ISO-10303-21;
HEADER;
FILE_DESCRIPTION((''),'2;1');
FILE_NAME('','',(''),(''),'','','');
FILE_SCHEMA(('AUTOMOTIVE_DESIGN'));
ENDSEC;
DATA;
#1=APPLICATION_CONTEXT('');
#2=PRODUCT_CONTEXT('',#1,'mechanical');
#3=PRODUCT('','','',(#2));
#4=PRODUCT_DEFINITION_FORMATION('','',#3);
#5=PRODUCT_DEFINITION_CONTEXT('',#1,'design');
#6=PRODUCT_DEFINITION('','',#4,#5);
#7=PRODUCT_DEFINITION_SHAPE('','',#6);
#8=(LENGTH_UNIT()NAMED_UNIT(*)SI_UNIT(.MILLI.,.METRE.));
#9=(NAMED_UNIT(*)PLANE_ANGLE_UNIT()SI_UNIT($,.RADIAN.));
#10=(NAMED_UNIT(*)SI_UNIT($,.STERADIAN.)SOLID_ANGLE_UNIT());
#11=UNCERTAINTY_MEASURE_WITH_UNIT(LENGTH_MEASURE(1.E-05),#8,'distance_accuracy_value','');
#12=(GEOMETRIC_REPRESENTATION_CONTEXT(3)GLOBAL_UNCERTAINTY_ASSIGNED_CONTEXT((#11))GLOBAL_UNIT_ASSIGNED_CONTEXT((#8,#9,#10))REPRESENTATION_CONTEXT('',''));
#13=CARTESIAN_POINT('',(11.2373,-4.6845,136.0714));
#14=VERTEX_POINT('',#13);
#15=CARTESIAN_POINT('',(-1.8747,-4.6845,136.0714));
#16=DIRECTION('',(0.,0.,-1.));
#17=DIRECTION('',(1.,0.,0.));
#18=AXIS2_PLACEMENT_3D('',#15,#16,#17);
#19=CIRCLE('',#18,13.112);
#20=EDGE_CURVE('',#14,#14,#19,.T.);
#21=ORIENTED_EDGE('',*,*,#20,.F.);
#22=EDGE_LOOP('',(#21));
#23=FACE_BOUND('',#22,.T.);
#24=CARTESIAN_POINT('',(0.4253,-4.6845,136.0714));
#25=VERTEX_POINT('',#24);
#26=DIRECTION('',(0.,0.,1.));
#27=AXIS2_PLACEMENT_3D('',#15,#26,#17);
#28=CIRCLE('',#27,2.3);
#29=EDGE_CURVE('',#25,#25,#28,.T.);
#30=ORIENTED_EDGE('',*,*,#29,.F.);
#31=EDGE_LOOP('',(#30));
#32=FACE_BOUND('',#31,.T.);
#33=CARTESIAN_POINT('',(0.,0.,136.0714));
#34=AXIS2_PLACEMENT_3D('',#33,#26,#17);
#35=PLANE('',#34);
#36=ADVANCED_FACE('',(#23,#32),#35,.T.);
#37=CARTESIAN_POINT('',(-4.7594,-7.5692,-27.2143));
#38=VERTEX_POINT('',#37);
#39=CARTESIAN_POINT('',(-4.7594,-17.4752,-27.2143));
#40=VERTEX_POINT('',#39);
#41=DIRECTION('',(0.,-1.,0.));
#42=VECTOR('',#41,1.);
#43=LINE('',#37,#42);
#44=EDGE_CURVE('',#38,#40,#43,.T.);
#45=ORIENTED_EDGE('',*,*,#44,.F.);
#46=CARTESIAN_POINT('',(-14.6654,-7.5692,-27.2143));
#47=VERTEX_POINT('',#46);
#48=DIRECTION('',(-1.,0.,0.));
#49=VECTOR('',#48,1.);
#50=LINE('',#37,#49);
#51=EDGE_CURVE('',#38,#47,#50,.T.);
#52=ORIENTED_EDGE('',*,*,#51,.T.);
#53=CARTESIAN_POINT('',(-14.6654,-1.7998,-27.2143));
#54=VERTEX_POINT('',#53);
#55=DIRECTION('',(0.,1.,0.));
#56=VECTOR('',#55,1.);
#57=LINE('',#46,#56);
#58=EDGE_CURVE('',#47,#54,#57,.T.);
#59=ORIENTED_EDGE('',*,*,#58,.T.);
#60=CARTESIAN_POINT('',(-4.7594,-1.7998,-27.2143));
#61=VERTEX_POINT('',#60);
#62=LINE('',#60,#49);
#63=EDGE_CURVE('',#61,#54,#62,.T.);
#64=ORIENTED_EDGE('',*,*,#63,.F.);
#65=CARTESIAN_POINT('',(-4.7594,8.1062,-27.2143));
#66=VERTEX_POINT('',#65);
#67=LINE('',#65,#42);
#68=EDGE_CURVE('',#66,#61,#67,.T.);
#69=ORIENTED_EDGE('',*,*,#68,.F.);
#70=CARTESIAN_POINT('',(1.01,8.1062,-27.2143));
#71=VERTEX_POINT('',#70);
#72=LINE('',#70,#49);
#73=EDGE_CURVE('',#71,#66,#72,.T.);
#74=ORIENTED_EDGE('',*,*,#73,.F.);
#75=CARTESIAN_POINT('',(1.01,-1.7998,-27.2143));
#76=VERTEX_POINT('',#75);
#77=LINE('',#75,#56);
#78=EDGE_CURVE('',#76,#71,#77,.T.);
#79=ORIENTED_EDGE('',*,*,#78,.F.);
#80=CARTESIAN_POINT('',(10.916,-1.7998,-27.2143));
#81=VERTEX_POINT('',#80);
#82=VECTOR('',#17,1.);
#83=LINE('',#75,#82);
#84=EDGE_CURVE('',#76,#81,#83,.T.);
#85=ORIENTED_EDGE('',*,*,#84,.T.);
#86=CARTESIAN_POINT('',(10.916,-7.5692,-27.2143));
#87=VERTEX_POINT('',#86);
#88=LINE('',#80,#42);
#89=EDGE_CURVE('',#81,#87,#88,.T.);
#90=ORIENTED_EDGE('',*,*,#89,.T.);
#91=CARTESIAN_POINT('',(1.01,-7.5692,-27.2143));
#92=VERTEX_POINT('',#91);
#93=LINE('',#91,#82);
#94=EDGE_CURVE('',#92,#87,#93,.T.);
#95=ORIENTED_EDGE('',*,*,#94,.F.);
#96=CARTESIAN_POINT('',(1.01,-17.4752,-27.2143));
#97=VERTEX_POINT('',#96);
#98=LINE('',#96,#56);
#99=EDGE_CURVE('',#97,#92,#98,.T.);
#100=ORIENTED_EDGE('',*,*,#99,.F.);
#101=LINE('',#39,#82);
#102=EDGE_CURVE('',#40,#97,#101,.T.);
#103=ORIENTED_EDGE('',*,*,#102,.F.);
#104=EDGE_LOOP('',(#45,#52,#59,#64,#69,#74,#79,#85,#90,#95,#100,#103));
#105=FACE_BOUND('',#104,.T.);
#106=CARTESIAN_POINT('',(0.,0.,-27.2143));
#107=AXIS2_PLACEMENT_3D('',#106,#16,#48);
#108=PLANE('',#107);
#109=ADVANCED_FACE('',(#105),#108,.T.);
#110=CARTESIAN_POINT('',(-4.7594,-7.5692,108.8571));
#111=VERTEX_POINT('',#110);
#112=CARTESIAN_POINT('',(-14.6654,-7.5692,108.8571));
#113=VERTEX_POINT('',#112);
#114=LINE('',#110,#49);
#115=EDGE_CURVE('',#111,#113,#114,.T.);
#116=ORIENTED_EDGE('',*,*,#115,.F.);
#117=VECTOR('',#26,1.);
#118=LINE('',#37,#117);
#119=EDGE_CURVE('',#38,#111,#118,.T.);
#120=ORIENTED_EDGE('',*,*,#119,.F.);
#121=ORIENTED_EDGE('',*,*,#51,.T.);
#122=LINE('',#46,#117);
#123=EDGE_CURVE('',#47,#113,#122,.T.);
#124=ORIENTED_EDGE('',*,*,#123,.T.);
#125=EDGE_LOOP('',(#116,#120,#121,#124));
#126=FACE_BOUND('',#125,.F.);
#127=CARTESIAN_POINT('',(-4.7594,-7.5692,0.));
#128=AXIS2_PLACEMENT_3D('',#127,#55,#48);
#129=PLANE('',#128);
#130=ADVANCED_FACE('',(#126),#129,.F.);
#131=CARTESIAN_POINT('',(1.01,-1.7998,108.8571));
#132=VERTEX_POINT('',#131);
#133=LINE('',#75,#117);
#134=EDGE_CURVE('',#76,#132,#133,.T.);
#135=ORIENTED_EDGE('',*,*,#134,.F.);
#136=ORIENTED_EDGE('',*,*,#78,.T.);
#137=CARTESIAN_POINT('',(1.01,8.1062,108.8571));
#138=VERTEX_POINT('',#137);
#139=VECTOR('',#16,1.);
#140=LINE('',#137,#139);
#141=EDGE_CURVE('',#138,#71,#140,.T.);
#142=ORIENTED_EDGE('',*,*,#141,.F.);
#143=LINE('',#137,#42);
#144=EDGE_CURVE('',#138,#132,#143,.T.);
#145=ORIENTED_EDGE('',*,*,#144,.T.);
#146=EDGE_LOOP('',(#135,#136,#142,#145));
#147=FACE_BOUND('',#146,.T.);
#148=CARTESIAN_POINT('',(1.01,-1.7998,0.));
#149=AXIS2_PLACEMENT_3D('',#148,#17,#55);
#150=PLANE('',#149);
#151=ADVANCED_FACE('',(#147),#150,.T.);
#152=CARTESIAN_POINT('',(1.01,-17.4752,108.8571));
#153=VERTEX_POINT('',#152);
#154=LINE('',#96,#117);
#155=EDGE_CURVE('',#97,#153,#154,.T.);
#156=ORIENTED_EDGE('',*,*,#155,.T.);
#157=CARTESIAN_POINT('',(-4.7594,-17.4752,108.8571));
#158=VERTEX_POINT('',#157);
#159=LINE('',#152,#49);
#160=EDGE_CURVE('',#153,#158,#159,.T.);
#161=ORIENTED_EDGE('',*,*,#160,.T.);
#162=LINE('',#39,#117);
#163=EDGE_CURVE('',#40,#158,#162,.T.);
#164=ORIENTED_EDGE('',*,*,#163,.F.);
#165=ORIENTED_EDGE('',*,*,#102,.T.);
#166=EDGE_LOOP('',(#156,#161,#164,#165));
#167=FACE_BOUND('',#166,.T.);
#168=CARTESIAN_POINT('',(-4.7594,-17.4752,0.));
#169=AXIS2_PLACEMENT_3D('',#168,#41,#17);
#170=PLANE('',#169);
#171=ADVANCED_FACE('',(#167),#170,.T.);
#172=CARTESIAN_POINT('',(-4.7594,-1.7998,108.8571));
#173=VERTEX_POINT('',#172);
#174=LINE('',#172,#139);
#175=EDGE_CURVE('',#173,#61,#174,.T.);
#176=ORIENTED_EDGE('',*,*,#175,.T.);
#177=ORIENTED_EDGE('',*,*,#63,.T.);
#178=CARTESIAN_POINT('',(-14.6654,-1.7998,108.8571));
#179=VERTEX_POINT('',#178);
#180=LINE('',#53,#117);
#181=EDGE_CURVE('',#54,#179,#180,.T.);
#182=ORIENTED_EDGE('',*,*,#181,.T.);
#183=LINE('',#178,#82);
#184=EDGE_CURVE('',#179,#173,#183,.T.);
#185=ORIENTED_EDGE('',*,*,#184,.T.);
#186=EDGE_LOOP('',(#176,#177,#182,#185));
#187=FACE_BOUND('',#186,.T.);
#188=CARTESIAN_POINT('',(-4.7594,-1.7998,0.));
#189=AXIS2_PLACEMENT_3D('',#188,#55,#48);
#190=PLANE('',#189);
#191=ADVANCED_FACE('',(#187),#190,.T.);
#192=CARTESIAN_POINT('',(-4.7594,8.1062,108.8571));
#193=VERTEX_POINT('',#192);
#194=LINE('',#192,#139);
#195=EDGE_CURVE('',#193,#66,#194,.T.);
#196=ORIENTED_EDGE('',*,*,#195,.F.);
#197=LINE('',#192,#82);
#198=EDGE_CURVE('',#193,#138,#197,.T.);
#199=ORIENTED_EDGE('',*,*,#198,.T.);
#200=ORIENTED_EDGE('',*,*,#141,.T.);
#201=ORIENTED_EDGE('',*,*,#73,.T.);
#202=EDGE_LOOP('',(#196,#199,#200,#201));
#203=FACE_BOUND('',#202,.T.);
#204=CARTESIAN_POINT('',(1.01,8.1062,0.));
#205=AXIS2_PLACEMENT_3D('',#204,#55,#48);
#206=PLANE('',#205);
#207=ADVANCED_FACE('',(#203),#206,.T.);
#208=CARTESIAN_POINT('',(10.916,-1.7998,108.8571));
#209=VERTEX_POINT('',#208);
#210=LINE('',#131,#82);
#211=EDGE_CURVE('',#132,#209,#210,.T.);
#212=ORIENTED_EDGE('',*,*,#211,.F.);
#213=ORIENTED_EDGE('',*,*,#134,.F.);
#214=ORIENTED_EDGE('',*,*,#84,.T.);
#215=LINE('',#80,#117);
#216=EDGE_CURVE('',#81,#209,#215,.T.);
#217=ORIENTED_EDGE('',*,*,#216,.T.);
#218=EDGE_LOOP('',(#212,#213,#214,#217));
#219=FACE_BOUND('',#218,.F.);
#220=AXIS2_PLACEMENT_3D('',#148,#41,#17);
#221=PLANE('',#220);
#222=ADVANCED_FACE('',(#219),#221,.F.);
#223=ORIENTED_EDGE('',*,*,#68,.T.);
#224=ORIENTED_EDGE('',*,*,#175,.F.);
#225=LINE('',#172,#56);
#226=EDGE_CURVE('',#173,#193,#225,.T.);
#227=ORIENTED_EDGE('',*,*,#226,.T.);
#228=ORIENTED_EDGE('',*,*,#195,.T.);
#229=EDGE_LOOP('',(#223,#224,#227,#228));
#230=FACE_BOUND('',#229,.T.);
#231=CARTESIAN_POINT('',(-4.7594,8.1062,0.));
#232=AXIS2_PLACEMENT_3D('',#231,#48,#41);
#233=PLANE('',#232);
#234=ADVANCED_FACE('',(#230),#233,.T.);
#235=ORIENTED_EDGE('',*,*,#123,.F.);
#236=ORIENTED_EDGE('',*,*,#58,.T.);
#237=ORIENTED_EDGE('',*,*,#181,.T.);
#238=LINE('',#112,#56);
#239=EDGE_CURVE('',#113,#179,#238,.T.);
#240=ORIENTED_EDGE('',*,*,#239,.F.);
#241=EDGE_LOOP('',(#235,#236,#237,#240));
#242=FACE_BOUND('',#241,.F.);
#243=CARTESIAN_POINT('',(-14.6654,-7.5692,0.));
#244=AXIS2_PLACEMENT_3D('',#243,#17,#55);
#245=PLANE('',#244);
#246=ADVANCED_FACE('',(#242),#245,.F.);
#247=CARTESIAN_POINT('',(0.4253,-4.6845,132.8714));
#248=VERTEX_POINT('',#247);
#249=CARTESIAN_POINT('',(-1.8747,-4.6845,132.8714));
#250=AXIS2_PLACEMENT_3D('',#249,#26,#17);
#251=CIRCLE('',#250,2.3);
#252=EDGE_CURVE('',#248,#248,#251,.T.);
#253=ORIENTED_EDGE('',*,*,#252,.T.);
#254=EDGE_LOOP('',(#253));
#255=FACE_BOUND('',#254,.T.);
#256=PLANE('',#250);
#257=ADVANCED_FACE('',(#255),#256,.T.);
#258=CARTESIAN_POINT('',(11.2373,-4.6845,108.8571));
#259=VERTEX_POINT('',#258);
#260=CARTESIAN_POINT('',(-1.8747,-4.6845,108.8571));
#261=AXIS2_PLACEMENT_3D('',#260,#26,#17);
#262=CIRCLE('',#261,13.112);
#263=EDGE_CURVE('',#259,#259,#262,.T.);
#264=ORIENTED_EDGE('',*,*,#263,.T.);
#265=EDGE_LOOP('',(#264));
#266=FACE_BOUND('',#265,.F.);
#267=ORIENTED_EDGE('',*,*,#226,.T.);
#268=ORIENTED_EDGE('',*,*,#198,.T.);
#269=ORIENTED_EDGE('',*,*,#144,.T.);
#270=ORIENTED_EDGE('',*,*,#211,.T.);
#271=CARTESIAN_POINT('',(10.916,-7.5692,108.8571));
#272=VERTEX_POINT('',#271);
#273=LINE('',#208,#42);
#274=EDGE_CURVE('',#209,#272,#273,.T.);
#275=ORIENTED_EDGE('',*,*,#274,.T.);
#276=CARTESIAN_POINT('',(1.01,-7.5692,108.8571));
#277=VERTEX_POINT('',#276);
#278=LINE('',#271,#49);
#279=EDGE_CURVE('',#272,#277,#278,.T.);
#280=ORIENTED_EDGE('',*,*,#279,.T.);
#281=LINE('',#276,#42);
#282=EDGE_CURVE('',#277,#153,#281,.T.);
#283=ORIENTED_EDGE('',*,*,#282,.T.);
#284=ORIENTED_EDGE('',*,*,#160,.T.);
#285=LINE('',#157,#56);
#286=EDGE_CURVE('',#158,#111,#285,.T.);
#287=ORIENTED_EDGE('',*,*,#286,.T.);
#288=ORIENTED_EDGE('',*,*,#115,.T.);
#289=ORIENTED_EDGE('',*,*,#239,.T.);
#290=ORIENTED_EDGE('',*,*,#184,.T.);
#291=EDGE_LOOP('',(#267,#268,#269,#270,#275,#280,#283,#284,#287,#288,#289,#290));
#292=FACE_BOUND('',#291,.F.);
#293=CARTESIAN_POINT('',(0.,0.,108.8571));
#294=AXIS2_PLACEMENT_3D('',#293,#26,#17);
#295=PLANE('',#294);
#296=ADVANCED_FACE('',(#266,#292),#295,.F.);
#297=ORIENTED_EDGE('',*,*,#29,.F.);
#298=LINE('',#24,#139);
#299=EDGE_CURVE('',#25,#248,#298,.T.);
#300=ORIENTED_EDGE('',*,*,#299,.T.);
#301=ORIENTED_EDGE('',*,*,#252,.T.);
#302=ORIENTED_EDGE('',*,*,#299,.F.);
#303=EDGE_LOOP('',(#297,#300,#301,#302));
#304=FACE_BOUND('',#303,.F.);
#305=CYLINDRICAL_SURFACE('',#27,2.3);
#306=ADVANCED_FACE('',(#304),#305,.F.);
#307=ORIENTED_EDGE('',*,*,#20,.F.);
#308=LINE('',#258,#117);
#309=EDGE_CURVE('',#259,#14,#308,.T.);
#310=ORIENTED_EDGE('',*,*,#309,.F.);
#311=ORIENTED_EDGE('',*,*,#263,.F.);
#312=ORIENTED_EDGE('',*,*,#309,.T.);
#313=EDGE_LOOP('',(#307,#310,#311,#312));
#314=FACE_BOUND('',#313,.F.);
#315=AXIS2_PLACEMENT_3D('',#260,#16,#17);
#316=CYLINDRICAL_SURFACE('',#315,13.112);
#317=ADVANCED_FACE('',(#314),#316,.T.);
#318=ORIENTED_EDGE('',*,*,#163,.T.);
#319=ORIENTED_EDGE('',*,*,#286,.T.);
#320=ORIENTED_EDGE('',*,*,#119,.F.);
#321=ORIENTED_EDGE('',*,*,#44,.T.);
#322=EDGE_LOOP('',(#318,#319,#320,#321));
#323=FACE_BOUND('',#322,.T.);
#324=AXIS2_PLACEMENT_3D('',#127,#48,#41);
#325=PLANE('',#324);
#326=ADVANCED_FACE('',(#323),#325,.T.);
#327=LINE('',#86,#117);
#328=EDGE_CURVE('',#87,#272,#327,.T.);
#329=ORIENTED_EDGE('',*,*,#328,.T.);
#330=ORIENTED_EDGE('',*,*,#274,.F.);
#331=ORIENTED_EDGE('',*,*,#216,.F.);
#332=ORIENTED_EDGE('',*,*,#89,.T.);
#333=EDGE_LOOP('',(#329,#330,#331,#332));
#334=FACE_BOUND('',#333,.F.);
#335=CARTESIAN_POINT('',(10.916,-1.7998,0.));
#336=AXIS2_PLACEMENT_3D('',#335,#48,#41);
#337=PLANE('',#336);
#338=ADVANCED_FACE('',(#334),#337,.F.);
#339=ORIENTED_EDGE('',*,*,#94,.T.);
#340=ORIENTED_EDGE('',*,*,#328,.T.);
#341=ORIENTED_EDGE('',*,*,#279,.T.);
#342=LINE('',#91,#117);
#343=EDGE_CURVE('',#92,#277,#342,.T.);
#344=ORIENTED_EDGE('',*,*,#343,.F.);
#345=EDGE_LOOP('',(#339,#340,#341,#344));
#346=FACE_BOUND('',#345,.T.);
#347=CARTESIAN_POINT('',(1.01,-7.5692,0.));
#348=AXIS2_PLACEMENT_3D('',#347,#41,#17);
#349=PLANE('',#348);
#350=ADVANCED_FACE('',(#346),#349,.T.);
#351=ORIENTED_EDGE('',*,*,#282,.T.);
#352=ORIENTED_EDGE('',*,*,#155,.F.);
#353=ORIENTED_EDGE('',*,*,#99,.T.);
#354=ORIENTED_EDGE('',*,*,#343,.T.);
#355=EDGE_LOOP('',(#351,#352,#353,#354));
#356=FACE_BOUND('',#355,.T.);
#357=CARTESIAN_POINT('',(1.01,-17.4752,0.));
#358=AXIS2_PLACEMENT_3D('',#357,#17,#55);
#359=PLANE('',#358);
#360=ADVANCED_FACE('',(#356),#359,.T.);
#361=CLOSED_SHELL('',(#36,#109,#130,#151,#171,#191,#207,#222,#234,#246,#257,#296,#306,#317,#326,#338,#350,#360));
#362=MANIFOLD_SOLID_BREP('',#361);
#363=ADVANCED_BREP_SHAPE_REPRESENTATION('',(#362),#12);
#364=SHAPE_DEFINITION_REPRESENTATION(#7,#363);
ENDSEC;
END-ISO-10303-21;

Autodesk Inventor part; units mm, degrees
ref_plane "YZ Plane" through (0, 0, 0) normal (1, 0, 0) x (0, 1, 0)
ref_plane "XZ Plane" through (0, 0, 0) normal (0, 1, 0) x (-1, 0, 0)
ref_plane "XY Plane" through (0, 0, 0) normal (0, 0, 1) x (1, 0, 0)
sketch "Sketch1" plane through (0, 0, 0) normal (0, 0, 1) x (1, 0, 0)
  line L0 (-4.7594, 8.1062) -> (1.01, 8.1062)
  line L1 (1.01, 8.1062) -> (1.01, -1.7998)
  line L2 (1.01, -1.7998) -> (10.916, -1.7998)
  line L3 (10.916, -1.7998) -> (10.916, -7.5692)
  line L4 (10.916, -4.6845) -> (-5.4983, -4.6845) construction
  line L5 (-1.8747, 8.1062) -> (-1.8747, -4.6845) construction
  line L6 (-14.6654, -7.5692) -> (-14.6654, -1.7998)
  line L7 (-14.6654, -1.7998) -> (-4.7594, -1.7998)
  line L8 (-4.7594, -1.7998) -> (-4.7594, 8.1062)
  line L9 (1.01, -17.4752) -> (-4.7594, -17.4752)
  line L10 (-4.7594, -17.4752) -> (-4.7594, -7.5692)
  line L11 (-4.7594, -7.5692) -> (-14.6654, -7.5692)
  line L12 (10.916, -1.7998) -> (10.916, -7.5692)
  line L13 (10.916, -7.5692) -> (1.01, -7.5692)
  line L14 (1.01, -7.5692) -> (1.01, -17.4752)
  point P0 (0, 0)
  point P1 (-14.6654, -4.6845)
  point P2 (-1.8747, -17.4752)
  point P3 (10.916, -4.6845)
  dimension "d0" = 5.7694
  dimension "d1" = 9.906
  dimension "d2" = 9.906
  dimension "d3" = 5.7694
  dimension "d6" = 360
extrude "Extrusion1" add sketch "Sketch1" along normal blind 108.8571
sketch "Sketch2" plane through (0, 0, 108.8571) normal (0, 0, 1) x (1, 0, 0)
  line L0 (-14.6654, -1.7998) -> (-14.6654, -7.5692) projected
  line L1 (-14.6654, -4.6845) -> (0, -4.6845) construction
  line L2 (1.01, 8.1062) -> (-4.7594, 8.1062) projected
  circle A0 centre (-1.8747, -4.6845) radius 13.112
  point P0 (0, 0)
extrude "Extrusion2" add sketch "Sketch2" along normal blind 27.2143
sketch "Sketch3" plane through (0, 0, 0) normal (0, 0, -1) x (-1, 0, 0)
  line L0 (4.7594, -1.7998) -> (14.6654, -1.7998) projected
  line L1 (-1.01, -7.5692) -> (-10.916, -7.5692) projected
  line L2 (-10.916, -1.7998) -> (-10.916, -7.5692)
  line L3 (14.6654, -7.5692) -> (14.6654, -1.7998)
  line L4 (-1.01, -1.7998) -> (-1.01, 8.1062) projected
  circle A0 centre (1.8747, -4.6845) radius 13.112 construction
  line L5 (-1.01, 8.1062) -> (4.7594, 8.1062)
  line L6 (4.7594, -17.4752) -> (-1.01, -17.4752)
  line L7 (4.7594, 8.1062) -> (4.7594, -1.7998)
  line L8 (4.7594, -7.5692) -> (4.7594, -17.4752)
  line L9 (14.6654, -1.7998) -> (4.7594, -1.7998)
  line L10 (-1.01, -1.7998) -> (-10.916, -1.7998)
  line L11 (-1.01, -17.4752) -> (-1.01, -7.5692)
  line L12 (-1.01, -1.7998) -> (-1.01, 8.1062)
  line L13 (-10.916, -7.5692) -> (-1.01, -7.5692)
  line L14 (4.7594, -7.5692) -> (14.6654, -7.5692)
  point P0 (0, 0)
extrude "Extrusion3" add sketch "Sketch3" along normal blind 27.2143
sketch "Sketch4" plane through (-1.8747, -4.6845, 136.0714) normal (0, 0, 1) x (1, 0, 0)
  circle A0 centre (0, 0) radius 2.3
  point P0 (1.8747, 4.6845)
  dimension "d14" = 4.6
extrude "Extrusion4" cut sketch "Sketch4" against normal blind 3.2
properties part number "Bistable Rod 2"
